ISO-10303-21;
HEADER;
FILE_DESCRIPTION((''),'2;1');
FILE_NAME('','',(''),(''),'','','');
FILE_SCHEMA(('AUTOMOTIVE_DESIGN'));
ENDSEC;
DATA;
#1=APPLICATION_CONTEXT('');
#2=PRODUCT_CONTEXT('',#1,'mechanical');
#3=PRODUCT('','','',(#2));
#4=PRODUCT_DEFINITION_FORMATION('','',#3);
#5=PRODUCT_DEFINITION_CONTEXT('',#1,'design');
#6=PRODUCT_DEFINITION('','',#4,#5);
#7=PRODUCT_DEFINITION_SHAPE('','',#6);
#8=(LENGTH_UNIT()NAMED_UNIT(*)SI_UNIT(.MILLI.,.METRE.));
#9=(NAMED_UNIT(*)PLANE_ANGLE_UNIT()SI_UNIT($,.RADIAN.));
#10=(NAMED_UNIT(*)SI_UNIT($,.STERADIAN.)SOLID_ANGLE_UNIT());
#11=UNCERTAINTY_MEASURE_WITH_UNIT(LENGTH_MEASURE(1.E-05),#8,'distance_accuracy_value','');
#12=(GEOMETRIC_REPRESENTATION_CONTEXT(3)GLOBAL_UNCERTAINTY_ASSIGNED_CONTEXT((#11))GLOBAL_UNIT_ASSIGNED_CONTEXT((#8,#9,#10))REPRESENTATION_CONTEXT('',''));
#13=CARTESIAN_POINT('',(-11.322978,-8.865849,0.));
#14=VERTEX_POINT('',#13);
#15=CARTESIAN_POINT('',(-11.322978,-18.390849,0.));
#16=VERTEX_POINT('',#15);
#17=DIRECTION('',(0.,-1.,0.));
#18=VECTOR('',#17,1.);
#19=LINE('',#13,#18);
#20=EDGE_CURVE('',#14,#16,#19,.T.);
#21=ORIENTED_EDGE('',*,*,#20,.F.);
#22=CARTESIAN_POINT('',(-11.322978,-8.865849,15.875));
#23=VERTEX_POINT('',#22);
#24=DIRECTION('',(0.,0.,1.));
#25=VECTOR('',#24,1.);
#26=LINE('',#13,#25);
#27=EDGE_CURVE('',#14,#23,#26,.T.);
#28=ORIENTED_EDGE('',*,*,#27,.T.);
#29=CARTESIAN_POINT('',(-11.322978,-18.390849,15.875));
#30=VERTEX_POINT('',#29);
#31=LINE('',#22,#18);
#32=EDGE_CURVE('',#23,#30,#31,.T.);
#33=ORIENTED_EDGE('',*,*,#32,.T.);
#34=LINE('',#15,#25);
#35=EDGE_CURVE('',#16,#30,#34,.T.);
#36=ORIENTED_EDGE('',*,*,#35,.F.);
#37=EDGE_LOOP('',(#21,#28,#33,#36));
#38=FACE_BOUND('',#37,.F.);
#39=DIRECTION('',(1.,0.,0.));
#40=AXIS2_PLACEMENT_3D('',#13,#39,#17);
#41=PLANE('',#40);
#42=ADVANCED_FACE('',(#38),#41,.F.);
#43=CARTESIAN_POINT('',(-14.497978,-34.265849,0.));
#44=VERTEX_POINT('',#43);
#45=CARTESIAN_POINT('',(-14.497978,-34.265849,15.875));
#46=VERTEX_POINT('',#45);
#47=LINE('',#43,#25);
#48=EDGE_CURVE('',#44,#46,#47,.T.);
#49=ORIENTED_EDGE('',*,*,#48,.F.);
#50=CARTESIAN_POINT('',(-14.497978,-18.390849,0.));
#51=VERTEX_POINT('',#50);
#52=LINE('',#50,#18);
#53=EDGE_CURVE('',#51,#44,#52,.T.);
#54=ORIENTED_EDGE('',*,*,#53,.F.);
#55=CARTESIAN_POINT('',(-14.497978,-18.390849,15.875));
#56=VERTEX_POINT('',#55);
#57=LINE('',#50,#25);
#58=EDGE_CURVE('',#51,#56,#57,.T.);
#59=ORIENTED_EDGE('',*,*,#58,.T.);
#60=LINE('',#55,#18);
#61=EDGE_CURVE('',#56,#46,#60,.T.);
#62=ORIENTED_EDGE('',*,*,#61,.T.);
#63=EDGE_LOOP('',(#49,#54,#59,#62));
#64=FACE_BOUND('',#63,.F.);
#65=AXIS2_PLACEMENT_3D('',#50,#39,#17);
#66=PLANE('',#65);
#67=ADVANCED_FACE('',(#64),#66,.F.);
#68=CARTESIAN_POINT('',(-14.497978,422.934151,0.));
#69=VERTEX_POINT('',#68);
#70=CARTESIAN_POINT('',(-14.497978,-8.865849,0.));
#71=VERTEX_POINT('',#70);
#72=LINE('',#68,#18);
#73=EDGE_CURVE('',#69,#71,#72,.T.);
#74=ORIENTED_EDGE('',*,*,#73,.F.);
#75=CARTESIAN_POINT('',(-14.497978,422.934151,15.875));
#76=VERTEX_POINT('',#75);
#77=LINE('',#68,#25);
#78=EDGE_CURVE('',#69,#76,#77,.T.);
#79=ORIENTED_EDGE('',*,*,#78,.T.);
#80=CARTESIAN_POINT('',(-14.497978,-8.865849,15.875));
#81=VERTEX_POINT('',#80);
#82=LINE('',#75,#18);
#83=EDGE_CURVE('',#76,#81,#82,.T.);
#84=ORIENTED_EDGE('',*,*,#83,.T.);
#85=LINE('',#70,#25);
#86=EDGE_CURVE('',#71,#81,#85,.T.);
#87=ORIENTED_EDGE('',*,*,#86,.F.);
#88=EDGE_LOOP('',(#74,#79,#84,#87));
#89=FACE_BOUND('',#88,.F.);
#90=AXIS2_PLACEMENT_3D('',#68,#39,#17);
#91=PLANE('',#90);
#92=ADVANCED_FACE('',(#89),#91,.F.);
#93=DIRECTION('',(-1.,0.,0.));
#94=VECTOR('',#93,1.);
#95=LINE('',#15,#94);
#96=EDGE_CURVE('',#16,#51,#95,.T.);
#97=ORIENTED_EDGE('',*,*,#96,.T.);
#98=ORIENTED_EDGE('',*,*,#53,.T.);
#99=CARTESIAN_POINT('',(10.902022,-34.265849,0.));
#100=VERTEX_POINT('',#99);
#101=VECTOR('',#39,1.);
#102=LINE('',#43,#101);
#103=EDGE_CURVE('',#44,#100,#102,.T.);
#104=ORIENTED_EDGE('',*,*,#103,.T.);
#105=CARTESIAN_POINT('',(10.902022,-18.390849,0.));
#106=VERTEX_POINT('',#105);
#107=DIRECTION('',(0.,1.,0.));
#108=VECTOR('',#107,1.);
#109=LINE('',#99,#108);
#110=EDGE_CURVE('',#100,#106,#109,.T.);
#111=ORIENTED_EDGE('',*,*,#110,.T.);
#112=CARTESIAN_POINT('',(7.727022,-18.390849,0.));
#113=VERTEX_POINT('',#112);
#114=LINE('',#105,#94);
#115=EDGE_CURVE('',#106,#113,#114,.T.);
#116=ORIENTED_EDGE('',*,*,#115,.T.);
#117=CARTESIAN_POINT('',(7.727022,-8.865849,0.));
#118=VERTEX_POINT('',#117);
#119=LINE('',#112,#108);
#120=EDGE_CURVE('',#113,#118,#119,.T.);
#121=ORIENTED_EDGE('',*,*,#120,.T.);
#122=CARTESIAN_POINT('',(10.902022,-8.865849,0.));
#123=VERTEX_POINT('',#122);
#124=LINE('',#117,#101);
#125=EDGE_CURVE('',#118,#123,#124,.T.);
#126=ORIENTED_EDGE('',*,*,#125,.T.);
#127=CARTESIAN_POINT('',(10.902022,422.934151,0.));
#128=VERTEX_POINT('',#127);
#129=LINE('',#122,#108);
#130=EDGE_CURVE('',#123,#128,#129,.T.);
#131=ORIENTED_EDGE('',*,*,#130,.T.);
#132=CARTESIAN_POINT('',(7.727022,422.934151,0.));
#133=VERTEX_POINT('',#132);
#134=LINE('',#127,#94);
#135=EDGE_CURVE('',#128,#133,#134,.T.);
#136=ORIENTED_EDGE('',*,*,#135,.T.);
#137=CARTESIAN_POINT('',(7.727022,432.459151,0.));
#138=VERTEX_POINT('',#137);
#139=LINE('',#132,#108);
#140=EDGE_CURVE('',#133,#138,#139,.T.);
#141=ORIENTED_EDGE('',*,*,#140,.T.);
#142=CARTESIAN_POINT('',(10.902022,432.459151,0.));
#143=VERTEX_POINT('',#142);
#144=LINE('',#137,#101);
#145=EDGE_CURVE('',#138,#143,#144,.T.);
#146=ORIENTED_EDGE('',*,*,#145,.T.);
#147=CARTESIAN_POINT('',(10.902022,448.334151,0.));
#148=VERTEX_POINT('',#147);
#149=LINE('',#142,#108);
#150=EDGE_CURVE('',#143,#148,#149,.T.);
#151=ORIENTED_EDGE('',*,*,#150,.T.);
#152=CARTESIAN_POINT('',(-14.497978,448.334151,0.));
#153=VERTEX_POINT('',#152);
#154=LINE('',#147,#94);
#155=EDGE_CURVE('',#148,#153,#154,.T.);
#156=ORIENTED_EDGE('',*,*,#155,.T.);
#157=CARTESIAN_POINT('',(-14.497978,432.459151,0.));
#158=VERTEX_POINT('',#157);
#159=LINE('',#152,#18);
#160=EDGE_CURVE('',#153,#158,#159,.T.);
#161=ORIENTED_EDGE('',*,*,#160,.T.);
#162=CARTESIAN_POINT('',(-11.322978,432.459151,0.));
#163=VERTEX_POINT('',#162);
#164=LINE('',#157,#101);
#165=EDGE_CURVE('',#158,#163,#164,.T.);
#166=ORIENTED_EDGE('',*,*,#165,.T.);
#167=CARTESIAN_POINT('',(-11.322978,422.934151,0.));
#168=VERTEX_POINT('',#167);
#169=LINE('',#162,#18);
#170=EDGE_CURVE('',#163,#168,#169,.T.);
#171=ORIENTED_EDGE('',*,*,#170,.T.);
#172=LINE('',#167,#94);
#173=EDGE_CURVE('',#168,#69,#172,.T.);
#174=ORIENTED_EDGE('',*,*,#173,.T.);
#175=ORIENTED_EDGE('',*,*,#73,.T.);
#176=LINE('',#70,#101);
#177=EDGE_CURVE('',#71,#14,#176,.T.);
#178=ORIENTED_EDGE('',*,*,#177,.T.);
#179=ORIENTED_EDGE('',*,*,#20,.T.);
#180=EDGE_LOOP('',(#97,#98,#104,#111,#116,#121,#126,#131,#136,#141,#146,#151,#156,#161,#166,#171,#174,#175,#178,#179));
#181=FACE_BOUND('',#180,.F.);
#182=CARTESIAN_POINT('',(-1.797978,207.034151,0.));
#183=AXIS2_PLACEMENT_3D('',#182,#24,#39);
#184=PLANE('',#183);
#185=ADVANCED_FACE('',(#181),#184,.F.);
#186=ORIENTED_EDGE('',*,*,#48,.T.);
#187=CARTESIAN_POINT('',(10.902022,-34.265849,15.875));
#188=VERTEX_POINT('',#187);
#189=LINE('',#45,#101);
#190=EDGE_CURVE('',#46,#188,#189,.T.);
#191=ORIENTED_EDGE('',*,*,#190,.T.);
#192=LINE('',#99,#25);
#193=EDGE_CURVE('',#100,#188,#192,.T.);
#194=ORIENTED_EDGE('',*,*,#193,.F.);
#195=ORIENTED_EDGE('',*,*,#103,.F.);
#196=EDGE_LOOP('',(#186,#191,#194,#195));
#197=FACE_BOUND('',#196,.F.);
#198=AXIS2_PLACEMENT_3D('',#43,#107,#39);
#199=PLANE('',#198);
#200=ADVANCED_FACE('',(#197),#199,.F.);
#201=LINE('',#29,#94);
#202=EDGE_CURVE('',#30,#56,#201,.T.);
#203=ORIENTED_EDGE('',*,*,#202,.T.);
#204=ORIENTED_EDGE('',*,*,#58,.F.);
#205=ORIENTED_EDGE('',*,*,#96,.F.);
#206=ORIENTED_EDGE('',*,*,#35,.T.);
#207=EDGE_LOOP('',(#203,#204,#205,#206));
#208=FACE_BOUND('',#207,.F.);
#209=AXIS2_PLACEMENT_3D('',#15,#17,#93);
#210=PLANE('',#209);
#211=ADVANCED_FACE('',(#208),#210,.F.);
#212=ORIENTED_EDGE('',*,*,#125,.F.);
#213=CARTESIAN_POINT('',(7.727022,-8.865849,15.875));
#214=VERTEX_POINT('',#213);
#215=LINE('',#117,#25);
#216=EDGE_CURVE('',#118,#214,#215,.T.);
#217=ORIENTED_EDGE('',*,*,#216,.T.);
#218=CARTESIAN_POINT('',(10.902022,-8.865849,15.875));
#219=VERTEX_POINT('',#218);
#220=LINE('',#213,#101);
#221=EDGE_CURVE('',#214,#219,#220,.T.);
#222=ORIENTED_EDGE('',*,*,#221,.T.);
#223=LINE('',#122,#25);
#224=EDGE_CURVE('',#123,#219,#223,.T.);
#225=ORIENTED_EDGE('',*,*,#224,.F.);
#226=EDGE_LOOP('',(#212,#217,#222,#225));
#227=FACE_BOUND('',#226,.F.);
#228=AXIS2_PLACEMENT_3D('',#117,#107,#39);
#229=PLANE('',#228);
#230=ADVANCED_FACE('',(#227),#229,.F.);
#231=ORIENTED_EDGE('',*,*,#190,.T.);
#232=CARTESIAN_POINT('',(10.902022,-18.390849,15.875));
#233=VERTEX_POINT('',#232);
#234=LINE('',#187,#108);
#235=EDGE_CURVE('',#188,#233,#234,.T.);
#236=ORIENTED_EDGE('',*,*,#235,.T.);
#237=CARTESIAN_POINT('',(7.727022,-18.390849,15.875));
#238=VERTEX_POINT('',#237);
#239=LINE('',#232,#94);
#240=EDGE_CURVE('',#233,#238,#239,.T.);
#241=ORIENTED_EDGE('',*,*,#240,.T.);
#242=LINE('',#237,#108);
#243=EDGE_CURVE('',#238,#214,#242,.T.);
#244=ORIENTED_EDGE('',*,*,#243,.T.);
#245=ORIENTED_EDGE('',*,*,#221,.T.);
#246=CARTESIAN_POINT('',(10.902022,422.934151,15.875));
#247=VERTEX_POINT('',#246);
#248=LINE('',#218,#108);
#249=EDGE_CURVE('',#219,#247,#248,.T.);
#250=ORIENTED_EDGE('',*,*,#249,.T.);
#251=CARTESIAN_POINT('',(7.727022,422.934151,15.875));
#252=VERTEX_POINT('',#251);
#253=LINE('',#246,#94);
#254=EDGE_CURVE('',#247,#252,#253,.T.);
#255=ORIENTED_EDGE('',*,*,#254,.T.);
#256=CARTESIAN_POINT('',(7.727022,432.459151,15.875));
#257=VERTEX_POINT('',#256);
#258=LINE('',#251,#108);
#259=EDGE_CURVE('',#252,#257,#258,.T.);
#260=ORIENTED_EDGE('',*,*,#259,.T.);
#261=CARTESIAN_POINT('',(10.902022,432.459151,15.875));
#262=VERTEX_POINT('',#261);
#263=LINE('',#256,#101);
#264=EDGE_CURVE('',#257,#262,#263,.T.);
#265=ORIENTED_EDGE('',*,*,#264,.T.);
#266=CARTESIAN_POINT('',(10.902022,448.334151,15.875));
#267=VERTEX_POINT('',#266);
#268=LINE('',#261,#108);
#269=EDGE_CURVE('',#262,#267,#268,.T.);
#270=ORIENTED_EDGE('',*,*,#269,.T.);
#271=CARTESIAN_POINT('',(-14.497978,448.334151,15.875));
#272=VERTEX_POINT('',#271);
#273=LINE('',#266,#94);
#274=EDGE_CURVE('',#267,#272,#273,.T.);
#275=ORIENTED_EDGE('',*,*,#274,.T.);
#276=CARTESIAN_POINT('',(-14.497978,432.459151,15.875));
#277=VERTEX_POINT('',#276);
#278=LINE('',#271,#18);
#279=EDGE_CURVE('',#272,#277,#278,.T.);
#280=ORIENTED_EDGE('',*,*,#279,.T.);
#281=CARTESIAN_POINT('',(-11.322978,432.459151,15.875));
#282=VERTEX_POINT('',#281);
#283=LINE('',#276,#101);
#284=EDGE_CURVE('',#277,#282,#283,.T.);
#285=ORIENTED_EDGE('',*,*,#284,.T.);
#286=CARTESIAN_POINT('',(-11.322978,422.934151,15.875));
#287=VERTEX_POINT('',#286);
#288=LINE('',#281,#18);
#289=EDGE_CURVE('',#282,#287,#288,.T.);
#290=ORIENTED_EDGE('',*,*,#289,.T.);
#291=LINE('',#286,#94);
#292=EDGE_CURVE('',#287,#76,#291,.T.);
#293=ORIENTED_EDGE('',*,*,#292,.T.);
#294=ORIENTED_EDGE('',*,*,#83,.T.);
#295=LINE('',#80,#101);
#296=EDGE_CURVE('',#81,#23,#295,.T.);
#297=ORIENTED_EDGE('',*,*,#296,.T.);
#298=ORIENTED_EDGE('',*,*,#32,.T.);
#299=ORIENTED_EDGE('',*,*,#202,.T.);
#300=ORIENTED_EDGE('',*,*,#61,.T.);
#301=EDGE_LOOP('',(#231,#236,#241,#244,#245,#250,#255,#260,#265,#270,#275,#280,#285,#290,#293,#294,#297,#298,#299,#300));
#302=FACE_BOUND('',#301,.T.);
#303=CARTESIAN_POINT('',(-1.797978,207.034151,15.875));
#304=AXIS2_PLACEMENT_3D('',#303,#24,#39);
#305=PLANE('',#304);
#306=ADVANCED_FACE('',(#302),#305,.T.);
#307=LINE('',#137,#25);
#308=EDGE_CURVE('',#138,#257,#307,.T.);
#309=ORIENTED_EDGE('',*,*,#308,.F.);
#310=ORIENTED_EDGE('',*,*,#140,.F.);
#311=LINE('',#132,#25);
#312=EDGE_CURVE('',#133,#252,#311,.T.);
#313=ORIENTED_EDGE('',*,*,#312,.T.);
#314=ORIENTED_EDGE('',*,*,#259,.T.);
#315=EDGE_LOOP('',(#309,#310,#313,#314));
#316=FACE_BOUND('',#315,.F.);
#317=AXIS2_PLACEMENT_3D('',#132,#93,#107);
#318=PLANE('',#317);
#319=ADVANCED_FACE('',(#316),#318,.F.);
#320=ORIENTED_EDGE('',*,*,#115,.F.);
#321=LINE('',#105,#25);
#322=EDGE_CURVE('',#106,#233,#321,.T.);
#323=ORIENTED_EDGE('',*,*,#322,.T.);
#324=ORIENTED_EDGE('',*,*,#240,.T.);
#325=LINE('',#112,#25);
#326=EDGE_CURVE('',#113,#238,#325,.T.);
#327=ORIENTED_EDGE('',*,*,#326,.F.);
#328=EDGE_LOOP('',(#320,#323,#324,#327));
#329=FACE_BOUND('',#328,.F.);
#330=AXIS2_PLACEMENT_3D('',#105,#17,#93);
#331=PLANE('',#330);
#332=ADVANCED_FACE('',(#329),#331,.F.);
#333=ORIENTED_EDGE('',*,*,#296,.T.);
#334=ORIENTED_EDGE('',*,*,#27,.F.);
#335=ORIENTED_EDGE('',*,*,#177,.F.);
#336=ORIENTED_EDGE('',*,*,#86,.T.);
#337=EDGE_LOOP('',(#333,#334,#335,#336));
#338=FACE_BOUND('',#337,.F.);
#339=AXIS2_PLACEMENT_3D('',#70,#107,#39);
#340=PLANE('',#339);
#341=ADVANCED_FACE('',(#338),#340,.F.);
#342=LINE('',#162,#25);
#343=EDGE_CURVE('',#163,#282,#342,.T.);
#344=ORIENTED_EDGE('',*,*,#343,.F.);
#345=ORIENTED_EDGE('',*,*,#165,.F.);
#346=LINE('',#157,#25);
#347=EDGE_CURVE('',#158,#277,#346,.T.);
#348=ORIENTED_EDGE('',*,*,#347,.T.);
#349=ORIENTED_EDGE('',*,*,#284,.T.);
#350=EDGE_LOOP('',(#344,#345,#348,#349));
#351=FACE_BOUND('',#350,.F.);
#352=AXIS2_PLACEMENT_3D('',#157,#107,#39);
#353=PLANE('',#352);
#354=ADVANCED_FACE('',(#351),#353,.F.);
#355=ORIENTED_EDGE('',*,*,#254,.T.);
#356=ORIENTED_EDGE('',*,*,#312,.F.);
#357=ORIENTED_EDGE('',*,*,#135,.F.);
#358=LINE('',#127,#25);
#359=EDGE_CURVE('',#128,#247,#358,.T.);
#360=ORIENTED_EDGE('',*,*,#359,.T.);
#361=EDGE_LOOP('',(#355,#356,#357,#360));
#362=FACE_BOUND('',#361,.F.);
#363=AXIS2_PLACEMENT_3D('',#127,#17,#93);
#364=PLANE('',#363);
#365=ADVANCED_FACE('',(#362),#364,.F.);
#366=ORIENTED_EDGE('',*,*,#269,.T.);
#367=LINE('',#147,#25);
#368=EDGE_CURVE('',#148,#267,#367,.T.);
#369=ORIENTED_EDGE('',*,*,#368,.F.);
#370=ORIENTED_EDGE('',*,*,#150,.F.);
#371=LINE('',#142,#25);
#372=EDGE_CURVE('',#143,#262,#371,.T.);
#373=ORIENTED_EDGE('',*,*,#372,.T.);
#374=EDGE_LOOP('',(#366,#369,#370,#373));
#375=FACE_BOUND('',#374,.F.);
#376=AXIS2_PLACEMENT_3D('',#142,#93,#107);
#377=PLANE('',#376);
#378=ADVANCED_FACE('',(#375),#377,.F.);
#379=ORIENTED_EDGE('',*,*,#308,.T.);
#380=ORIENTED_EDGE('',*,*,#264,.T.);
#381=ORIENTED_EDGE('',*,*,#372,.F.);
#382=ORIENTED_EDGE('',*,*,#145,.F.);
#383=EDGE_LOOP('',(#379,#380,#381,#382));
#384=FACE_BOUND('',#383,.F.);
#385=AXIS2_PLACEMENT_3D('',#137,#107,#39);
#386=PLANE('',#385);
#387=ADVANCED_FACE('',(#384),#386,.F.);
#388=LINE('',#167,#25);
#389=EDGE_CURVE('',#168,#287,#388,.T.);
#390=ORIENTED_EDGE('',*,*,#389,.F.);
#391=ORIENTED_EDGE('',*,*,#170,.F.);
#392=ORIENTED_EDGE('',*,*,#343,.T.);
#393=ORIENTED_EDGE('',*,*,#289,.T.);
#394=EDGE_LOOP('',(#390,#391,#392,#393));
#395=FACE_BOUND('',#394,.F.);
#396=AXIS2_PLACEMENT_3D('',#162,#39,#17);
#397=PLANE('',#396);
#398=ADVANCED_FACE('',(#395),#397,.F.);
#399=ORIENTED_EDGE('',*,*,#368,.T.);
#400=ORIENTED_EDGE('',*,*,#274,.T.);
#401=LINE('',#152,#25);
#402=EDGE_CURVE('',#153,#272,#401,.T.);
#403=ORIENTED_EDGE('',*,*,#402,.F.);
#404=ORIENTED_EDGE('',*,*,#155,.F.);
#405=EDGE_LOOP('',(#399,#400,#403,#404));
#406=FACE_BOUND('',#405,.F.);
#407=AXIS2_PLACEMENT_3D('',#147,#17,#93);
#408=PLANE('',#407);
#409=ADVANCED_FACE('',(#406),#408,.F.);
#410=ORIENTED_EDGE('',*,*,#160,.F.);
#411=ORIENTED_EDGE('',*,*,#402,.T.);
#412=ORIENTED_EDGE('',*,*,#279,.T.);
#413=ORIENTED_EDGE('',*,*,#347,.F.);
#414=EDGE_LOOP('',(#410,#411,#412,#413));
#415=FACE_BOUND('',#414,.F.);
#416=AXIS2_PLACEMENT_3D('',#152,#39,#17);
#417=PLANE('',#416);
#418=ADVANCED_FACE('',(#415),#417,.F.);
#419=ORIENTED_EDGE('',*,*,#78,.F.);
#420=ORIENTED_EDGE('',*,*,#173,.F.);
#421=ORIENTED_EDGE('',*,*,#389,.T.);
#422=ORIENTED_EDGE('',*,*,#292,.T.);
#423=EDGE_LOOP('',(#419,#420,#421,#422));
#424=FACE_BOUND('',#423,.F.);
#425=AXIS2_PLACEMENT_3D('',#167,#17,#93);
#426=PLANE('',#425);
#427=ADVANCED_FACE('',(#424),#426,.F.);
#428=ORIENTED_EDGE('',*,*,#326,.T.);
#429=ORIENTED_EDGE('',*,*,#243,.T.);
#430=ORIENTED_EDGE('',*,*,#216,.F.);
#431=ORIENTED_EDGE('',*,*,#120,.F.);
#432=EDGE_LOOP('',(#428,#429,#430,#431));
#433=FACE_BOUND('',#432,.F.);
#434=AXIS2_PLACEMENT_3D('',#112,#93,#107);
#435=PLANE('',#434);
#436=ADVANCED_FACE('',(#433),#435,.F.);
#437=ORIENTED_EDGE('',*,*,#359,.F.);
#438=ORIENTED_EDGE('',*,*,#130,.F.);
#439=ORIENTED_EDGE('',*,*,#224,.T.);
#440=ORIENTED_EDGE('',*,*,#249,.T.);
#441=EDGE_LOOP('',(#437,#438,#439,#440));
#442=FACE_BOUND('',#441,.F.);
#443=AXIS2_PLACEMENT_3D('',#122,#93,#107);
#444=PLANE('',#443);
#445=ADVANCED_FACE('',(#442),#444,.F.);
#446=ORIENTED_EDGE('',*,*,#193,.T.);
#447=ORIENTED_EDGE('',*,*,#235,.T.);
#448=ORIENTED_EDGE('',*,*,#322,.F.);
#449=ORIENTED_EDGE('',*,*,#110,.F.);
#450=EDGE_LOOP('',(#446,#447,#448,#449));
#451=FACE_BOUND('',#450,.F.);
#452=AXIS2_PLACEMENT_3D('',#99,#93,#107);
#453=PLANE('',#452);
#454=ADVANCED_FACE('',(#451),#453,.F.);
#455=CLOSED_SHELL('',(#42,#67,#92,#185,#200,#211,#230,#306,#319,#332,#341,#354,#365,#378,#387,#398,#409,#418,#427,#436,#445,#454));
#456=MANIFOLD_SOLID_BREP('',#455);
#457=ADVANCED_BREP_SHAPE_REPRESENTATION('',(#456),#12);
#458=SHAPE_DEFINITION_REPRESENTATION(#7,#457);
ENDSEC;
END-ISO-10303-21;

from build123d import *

# Parameters (mm, degrees)
F1_DEPTH = 15.875


with BuildPart() as f1:
    # F0 (on Top) → F1 (new body)
    with BuildSketch(Plane.XY):
        Polygon((10.902022, 448.334151), (-14.497978, 448.334151), (-14.497978, 432.459151), (-11.322978, 432.459151), (-11.322978, 422.934151), (-14.497978, 422.934151), (-14.497978, -8.865849), (-11.322978, -8.865849), (-11.322978, -18.390849), (-14.497978, -18.390849), (-14.497978, -34.265849), (10.902022, -34.265849), (10.902022, -18.390849), (7.727022, -18.390849), (7.727022, -8.865849), (10.902022, -8.865849), (10.902022, 422.934151), (7.727022, 422.934151), (7.727022, 432.459151), (10.902022, 432.459151), align=None)
    extrude(amount=F1_DEPTH)


solid = f1.part
